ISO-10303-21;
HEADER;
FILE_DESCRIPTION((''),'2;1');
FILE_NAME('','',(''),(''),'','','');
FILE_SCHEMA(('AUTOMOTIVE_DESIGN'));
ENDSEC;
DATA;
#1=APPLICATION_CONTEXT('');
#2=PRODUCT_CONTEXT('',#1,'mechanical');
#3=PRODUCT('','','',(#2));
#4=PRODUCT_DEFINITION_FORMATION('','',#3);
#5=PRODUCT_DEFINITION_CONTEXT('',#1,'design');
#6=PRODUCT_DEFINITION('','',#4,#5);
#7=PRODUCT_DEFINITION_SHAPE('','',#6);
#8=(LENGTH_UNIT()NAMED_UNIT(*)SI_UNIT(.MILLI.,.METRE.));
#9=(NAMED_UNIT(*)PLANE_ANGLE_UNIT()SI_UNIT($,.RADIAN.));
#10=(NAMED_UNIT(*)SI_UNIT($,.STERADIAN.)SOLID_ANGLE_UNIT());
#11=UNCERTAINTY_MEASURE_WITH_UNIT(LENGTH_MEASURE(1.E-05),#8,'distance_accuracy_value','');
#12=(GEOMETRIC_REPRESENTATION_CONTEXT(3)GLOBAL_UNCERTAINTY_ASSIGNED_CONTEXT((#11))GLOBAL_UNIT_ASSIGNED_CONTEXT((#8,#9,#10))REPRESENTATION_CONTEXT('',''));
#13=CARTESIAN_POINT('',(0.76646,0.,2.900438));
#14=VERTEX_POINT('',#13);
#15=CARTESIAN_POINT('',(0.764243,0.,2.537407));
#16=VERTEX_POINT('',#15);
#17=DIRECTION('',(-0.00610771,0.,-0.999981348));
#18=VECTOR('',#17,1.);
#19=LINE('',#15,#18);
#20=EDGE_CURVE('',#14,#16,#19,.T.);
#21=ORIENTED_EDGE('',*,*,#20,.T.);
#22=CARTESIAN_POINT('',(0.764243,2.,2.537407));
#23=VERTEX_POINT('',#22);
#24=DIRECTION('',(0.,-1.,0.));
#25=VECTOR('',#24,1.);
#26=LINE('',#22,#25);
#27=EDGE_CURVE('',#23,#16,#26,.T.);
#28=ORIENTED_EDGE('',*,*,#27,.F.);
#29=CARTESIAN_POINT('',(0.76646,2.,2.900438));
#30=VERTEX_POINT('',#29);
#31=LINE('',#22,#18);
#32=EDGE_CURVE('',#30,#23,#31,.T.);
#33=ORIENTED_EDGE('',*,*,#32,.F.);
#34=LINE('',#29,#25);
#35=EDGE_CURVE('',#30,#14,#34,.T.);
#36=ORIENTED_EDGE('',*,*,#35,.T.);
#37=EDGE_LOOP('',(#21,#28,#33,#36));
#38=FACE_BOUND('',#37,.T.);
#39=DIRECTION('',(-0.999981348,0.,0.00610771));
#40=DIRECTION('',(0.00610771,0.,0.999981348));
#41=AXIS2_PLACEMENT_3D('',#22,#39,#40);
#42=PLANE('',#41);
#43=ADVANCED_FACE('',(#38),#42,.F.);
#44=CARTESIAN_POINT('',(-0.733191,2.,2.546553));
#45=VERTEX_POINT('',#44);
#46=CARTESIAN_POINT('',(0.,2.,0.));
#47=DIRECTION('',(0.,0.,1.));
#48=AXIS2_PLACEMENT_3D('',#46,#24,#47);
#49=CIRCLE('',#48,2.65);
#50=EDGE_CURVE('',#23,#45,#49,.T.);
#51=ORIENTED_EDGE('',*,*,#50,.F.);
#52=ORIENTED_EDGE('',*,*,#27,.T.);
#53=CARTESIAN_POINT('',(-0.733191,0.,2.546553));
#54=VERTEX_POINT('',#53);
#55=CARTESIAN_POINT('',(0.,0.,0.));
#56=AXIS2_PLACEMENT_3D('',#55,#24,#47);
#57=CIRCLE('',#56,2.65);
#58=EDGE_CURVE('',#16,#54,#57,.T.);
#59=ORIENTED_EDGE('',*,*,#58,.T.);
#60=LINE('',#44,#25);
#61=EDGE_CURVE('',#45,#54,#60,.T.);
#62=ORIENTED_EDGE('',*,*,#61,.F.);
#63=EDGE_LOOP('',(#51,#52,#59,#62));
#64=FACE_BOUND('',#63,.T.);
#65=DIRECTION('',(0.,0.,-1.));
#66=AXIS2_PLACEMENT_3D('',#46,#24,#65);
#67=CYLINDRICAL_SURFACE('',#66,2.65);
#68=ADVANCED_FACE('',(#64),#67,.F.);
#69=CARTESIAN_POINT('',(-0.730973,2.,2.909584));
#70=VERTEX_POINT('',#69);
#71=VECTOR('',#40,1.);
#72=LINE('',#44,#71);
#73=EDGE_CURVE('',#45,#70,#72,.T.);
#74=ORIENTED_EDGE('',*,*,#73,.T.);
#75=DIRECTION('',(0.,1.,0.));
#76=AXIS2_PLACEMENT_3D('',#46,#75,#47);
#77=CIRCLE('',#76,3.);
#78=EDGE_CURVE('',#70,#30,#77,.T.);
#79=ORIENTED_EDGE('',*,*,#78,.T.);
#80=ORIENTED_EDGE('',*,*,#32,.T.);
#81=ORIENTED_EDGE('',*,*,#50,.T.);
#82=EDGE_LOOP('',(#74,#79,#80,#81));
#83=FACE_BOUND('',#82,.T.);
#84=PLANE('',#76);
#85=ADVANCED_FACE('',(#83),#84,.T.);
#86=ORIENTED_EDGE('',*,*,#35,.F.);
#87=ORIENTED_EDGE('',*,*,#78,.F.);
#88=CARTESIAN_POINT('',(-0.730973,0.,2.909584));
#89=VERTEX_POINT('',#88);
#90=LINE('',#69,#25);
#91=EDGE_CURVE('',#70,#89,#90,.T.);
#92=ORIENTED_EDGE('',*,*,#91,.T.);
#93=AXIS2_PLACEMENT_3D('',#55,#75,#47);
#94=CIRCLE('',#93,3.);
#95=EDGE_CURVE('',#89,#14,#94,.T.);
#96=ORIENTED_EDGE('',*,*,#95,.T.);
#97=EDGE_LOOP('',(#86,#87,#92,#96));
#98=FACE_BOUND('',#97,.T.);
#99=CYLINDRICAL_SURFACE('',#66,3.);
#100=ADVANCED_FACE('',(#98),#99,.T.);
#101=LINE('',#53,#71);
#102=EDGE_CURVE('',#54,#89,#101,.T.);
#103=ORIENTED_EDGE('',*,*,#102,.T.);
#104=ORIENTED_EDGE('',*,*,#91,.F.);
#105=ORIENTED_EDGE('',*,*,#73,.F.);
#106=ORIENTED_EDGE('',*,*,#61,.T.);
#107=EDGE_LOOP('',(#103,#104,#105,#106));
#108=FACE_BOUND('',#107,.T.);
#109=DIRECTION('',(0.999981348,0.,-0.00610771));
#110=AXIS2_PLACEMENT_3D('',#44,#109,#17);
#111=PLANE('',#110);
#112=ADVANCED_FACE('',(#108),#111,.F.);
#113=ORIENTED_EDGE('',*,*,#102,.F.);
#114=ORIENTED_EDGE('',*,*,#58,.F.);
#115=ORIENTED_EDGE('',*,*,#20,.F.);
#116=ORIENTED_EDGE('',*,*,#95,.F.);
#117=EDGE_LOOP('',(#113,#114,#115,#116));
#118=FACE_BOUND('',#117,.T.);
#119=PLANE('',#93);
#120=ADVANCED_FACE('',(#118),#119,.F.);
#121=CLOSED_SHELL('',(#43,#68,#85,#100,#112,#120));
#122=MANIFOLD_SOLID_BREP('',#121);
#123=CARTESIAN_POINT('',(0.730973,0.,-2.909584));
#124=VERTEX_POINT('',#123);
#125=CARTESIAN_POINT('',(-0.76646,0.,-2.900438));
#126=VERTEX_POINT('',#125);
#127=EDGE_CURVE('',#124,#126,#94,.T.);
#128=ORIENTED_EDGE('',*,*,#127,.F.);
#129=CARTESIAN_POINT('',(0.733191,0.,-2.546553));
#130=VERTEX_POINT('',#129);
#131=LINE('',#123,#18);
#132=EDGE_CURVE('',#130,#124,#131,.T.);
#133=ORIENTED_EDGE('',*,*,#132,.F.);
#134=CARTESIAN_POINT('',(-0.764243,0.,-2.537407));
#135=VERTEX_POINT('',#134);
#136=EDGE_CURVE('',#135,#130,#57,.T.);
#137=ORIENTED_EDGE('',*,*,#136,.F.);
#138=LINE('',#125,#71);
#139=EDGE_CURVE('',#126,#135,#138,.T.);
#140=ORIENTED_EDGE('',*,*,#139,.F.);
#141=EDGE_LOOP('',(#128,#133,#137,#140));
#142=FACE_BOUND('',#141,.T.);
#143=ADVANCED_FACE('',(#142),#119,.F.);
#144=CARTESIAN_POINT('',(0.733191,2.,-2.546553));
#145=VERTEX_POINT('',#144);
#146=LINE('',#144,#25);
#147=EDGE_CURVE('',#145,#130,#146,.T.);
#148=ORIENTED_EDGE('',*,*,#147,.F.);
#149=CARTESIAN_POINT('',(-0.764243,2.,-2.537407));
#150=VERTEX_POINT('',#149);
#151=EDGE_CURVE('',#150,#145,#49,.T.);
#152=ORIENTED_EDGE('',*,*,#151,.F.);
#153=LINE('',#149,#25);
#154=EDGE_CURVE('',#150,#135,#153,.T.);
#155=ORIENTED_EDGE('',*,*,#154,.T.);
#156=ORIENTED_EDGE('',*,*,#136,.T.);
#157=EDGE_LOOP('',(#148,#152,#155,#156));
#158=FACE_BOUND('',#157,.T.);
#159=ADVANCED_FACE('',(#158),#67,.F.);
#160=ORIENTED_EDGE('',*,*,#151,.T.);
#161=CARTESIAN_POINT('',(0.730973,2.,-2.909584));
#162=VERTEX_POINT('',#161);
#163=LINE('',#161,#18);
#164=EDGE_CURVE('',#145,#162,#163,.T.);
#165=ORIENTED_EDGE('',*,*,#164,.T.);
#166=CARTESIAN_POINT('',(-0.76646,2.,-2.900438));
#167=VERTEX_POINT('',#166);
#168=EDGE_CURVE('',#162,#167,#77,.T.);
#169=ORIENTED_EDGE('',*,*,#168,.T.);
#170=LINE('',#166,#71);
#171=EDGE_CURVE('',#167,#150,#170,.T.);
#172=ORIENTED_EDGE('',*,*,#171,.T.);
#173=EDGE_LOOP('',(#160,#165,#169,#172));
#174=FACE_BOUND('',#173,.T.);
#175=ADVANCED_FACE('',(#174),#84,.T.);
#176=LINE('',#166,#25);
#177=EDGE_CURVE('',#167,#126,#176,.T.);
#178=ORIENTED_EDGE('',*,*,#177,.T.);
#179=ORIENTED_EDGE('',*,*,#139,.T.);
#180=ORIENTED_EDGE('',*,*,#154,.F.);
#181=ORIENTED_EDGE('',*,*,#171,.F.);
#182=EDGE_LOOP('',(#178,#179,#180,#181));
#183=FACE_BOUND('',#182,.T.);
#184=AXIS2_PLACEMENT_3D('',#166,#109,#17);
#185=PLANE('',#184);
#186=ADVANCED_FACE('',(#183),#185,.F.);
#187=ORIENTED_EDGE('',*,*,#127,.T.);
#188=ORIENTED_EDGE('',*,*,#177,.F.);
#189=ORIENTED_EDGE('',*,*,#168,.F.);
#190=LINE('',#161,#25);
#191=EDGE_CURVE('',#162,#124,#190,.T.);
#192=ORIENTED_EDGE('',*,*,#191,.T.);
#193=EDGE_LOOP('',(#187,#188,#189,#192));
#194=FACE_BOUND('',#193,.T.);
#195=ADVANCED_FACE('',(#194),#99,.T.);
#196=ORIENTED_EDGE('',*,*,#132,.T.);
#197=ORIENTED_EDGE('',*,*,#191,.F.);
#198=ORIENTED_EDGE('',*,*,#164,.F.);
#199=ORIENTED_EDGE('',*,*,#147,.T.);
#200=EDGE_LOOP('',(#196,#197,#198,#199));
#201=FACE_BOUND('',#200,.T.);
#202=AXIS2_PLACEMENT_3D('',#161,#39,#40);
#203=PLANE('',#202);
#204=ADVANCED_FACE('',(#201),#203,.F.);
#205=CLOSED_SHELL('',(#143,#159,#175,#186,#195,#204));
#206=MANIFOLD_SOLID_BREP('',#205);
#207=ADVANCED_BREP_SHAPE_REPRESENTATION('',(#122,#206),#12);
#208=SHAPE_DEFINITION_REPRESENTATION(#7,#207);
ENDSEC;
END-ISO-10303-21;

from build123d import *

# Parameters (mm, degrees)
BOSS_EXTRUDE1_DEPTH   = 2
BOSS_EXTRUDE1_2_DEPTH = 2


with BuildPart() as part:
    # Sketch1 → Boss-Extrude1 (new body)
    with BuildSketch(Plane(origin=(0, 0, 0), x_dir=(1, 0, 0), z_dir=(0, 1, 0))):
        with BuildLine():
            Line((-0.766460076, 2.900437717), (-0.764242747, 2.537406752))
            ThreePointArc((-0.764242747, 2.537406752), (-0.016185432, 2.649950572), (0.733190816, 2.546552813))
            Line((0.733190816, 2.546552813), (0.730973487, 2.909583778))
            ThreePointArc((0.730973487, 2.909583778), (-0.01832313, 2.999944043), (-0.766460076, 2.900437717))
        make_face()
    extrude(amount=BOSS_EXTRUDE1_DEPTH)


with BuildPart() as body_2:
    # Sketch1 → Boss-Extrude1 2 (new body)
    with BuildSketch(Plane(origin=(0, 0, 0), x_dir=(1, 0, 0), z_dir=(0, 1, 0))):
        with BuildLine():
            Line((-0.733190816, -2.546552813), (-0.730973487, -2.909583778))
            ThreePointArc((-0.730973487, -2.909583778), (0.01832313, -2.999944043), (0.766460076, -2.900437717))
            Line((0.766460076, -2.900437717), (0.764242747, -2.537406752))
            ThreePointArc((0.764242747, -2.537406752), (0.016185432, -2.649950572), (-0.733190816, -2.546552813))
        make_face()
    extrude(amount=BOSS_EXTRUDE1_2_DEPTH)


solid = Compound([part.part, body_2.part])
